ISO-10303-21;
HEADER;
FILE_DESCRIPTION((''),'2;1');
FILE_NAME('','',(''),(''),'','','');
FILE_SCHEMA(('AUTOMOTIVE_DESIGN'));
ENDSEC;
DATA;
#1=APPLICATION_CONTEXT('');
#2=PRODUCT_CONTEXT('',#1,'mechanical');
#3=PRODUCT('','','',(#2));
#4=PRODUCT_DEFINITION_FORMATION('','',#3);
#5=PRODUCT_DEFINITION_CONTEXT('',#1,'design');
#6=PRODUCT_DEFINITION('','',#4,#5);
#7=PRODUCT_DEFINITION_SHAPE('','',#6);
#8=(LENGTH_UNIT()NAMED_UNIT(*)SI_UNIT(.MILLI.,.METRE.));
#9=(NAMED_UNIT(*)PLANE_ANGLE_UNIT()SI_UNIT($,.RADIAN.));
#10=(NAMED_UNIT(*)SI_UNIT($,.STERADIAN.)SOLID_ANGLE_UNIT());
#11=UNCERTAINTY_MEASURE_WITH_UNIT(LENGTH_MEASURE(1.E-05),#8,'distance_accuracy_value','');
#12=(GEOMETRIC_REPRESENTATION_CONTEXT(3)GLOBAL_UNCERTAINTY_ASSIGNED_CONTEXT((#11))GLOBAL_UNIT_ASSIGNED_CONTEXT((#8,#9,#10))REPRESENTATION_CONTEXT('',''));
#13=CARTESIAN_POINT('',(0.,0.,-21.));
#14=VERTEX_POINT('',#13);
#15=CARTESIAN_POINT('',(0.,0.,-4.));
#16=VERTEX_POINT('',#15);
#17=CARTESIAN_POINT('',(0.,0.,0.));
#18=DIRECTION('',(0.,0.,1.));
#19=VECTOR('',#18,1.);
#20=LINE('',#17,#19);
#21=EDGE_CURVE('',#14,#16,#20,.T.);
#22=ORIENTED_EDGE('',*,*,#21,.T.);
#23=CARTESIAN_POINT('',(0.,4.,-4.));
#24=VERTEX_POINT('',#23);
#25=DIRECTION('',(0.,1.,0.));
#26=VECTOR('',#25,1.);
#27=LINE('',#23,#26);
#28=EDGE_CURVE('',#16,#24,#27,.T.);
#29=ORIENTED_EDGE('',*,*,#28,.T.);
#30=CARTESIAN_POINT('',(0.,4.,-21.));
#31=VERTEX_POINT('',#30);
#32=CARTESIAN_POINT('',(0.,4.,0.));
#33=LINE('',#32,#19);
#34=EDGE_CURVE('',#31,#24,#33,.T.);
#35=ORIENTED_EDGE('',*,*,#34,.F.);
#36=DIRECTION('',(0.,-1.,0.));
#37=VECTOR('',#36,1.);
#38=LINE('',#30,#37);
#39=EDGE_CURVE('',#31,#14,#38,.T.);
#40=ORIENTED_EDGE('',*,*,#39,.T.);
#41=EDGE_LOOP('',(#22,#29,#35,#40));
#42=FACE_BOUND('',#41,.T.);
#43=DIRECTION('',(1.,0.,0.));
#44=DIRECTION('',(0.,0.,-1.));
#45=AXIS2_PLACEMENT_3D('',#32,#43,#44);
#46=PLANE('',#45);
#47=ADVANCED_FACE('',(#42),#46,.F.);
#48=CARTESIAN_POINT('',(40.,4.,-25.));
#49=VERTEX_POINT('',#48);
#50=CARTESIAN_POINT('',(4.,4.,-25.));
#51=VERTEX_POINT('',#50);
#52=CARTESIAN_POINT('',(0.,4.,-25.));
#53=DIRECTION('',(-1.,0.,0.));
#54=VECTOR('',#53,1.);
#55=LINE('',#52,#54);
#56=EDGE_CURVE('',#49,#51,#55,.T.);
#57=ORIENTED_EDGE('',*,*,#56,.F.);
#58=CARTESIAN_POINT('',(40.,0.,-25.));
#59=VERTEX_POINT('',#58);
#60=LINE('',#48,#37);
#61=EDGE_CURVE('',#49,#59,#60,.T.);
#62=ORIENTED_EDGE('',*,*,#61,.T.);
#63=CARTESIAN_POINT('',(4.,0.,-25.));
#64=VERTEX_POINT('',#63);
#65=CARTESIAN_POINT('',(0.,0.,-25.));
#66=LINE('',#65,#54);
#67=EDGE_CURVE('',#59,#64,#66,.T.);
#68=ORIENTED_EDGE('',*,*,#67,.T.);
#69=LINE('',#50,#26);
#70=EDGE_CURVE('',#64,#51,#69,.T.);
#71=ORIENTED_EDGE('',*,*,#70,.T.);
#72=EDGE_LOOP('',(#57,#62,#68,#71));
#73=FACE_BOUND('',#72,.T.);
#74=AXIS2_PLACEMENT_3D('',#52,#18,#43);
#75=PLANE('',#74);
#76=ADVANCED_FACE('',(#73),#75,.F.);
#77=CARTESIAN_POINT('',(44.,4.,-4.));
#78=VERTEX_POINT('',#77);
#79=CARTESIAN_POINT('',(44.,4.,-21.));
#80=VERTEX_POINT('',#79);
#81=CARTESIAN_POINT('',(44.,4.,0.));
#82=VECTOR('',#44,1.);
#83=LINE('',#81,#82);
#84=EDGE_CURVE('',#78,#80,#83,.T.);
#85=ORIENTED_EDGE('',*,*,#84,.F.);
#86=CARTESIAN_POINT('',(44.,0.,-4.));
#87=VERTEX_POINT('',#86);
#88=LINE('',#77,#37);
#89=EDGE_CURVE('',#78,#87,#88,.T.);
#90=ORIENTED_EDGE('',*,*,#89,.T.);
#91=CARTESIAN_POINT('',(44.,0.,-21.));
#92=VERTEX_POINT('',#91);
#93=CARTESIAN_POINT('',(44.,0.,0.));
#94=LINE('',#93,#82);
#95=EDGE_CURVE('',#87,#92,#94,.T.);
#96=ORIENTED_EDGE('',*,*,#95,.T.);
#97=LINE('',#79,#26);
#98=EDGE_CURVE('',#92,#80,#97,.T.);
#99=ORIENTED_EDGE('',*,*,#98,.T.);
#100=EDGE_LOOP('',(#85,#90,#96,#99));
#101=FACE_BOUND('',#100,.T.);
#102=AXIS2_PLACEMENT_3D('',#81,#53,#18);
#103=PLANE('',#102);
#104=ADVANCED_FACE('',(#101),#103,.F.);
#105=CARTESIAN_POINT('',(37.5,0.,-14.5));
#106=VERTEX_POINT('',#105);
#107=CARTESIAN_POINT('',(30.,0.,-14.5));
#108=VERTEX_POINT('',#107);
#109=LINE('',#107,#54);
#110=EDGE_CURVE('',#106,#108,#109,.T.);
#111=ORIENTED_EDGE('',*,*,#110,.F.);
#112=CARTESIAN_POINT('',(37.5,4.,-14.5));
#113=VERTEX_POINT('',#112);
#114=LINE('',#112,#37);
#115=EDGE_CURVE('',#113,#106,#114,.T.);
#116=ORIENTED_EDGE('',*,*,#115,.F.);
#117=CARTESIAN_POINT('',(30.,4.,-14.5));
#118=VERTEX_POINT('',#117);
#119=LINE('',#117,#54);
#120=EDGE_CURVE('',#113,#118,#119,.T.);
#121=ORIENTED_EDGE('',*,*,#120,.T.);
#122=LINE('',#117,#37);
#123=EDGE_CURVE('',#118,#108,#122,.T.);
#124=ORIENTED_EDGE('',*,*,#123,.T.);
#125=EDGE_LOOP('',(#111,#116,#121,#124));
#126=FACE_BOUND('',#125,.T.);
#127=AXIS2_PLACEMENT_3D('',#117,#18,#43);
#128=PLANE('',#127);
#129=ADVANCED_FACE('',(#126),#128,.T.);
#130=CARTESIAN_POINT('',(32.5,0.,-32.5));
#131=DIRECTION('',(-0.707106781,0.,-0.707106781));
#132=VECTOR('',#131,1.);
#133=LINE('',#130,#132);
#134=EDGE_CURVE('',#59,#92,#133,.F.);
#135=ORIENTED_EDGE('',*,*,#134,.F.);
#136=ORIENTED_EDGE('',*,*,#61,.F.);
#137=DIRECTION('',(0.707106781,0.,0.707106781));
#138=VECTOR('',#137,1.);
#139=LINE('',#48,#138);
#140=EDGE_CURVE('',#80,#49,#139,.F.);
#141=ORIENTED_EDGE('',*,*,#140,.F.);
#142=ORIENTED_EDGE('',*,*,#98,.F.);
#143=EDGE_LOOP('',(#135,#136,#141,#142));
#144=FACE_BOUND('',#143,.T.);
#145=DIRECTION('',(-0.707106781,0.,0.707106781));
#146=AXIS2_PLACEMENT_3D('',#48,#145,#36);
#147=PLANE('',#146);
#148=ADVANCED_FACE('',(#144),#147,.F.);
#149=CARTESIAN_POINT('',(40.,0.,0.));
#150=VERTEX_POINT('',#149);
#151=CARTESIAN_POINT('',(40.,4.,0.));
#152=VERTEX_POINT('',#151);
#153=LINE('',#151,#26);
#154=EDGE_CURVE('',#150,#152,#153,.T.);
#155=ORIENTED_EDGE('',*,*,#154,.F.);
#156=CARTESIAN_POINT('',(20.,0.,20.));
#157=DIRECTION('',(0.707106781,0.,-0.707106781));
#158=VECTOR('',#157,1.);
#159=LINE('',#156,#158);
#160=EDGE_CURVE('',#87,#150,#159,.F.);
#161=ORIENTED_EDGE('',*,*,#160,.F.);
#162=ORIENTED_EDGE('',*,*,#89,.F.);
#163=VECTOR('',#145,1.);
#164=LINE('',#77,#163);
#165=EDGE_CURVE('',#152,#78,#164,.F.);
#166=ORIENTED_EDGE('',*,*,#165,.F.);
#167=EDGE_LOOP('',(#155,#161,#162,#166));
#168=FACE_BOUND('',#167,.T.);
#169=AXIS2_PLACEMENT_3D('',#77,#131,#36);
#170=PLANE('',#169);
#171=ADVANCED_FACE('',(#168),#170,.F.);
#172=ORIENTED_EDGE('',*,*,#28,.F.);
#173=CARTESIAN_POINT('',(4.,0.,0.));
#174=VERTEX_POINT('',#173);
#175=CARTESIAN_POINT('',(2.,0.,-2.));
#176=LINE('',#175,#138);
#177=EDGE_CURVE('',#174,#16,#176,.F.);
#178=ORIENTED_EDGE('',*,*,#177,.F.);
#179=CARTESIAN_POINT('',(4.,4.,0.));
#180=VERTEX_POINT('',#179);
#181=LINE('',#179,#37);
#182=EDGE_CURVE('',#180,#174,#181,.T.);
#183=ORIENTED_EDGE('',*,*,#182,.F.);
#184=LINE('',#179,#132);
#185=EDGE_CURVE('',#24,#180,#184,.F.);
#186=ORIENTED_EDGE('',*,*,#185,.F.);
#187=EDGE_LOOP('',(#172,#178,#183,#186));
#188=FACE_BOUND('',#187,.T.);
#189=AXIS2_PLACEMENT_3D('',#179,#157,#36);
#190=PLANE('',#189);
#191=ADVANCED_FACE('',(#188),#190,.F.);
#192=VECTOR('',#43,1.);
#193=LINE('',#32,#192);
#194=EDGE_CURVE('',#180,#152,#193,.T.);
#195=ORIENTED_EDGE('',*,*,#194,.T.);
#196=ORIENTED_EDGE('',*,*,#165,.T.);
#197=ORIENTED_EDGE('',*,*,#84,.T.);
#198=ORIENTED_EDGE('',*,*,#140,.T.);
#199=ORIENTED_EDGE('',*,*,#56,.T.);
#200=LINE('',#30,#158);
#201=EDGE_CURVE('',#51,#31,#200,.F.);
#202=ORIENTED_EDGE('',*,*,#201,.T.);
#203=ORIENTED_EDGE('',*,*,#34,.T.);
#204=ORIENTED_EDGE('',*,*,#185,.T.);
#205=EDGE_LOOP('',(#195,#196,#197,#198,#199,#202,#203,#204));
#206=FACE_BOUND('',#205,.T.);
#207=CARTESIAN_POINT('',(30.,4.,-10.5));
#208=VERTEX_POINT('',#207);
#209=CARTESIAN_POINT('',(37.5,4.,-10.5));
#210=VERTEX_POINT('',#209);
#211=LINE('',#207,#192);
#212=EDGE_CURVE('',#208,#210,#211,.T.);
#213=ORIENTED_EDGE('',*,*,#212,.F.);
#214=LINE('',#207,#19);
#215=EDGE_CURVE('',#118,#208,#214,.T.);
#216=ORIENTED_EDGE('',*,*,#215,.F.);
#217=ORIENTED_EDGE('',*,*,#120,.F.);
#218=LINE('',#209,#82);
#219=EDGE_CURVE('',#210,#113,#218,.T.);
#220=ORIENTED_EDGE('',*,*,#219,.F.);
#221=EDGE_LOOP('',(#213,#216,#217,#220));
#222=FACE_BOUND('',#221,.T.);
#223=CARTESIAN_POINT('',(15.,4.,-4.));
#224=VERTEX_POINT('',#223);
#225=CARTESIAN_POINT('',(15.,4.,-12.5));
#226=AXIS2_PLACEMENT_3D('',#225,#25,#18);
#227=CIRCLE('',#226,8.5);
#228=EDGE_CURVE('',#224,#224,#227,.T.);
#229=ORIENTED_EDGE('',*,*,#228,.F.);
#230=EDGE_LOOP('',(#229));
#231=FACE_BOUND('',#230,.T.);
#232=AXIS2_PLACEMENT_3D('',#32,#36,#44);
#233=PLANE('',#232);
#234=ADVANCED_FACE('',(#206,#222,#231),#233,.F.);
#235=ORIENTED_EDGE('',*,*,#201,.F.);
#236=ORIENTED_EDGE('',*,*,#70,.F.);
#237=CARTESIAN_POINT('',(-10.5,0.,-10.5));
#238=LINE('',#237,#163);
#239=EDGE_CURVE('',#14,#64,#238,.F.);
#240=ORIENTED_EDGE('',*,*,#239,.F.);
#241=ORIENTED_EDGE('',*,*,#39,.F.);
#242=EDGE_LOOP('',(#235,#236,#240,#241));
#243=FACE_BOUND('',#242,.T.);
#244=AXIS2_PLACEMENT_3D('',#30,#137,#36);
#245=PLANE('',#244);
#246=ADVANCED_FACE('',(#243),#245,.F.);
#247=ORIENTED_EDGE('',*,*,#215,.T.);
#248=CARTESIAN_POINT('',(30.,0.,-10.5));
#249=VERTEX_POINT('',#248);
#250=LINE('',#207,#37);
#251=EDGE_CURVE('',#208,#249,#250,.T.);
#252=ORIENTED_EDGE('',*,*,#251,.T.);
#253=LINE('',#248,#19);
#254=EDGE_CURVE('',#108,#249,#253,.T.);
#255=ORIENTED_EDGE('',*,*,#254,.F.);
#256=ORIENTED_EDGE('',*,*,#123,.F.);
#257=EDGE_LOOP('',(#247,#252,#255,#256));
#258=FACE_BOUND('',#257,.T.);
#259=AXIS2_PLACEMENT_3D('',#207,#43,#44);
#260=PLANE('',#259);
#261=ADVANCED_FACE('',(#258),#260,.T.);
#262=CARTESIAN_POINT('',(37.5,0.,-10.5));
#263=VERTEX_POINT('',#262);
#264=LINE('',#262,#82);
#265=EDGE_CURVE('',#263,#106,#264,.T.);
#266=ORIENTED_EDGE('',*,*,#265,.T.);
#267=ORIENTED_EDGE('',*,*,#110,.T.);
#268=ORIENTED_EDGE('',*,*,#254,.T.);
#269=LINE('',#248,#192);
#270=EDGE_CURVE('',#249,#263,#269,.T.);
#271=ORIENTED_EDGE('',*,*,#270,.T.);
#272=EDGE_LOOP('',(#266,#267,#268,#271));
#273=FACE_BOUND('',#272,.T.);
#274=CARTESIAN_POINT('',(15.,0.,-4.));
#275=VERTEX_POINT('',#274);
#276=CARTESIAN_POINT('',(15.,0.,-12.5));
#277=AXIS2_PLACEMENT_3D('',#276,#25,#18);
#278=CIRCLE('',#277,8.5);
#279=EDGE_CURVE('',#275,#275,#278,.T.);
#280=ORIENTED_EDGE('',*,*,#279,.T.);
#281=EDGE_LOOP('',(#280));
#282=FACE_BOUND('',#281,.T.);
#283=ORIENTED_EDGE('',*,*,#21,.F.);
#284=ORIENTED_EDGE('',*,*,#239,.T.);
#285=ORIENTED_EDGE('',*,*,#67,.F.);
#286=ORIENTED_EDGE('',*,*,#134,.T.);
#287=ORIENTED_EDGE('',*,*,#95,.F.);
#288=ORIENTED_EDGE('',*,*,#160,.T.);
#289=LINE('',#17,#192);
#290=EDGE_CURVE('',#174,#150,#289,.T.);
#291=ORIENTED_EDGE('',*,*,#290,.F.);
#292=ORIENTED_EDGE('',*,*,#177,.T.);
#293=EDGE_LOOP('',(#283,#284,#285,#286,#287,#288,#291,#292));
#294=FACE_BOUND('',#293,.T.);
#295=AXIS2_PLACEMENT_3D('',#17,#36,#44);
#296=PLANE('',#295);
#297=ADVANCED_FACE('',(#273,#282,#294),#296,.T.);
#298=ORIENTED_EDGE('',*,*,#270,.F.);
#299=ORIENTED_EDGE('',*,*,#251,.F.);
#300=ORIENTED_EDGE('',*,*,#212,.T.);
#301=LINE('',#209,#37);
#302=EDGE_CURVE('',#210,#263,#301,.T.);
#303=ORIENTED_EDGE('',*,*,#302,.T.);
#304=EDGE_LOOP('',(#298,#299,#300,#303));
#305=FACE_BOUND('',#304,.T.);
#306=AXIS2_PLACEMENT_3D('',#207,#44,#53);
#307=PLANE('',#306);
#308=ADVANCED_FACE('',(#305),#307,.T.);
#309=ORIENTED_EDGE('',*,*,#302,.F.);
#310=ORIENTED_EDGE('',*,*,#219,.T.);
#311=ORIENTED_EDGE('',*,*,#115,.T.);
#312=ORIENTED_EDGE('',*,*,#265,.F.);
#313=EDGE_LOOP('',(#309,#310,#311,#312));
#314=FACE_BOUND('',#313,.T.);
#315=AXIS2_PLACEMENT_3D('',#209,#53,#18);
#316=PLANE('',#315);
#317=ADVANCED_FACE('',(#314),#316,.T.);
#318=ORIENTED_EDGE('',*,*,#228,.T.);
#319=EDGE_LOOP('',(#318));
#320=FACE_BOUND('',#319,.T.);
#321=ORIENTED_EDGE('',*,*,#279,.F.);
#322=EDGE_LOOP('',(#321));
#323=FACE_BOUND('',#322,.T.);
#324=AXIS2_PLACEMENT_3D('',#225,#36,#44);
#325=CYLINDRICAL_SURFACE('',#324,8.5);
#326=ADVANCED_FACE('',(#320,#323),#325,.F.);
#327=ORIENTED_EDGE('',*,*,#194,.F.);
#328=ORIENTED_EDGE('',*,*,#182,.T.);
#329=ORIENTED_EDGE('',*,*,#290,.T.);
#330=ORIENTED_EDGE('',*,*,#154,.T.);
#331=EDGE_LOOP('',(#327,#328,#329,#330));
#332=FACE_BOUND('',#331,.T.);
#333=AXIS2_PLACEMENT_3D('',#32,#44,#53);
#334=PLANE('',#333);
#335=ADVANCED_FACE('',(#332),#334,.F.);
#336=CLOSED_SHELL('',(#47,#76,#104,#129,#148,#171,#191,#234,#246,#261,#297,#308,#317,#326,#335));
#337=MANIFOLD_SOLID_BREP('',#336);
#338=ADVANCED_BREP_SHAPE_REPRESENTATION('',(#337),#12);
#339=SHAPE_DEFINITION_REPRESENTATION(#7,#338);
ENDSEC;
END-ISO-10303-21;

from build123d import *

# Parameters (mm, degrees)
SKETCH1_W           = 44
SKETCH1_H           = 25
SKETCH1_R           = 8.5
SKETCH1_W_2         = 7.5
SKETCH1_H_2         = 4
BOSS_EXTRUDE1_DEPTH = 4
CHAMFER1_SIZE       = 4


with BuildPart() as part:
    # Sketch1 → Boss-Extrude1 (new body)
    with BuildSketch(Plane(origin=(0, 0, 0), x_dir=(1, 0, 0), z_dir=(0, 1, 0))):
        with Locations((22, 12.5)):
            Rectangle(SKETCH1_W, SKETCH1_H)
        with Locations((15, 12.5)):
            Circle(SKETCH1_R, mode=Mode.SUBTRACT)
        with Locations((33.75, 12.5)):
            Rectangle(SKETCH1_W_2, SKETCH1_H_2, mode=Mode.SUBTRACT)
    extrude(amount=BOSS_EXTRUDE1_DEPTH)

    # Chamfer1
    chamfer1_edges = [part.edges().sort_by_distance(p)[0] for p in [
        (0, 2, -25),
        (44, 2, -25),
        (44, 2, 0),
        (0, 2, 0),
    ]]
    chamfer(chamfer1_edges, length=CHAMFER1_SIZE)


solid = part.part
